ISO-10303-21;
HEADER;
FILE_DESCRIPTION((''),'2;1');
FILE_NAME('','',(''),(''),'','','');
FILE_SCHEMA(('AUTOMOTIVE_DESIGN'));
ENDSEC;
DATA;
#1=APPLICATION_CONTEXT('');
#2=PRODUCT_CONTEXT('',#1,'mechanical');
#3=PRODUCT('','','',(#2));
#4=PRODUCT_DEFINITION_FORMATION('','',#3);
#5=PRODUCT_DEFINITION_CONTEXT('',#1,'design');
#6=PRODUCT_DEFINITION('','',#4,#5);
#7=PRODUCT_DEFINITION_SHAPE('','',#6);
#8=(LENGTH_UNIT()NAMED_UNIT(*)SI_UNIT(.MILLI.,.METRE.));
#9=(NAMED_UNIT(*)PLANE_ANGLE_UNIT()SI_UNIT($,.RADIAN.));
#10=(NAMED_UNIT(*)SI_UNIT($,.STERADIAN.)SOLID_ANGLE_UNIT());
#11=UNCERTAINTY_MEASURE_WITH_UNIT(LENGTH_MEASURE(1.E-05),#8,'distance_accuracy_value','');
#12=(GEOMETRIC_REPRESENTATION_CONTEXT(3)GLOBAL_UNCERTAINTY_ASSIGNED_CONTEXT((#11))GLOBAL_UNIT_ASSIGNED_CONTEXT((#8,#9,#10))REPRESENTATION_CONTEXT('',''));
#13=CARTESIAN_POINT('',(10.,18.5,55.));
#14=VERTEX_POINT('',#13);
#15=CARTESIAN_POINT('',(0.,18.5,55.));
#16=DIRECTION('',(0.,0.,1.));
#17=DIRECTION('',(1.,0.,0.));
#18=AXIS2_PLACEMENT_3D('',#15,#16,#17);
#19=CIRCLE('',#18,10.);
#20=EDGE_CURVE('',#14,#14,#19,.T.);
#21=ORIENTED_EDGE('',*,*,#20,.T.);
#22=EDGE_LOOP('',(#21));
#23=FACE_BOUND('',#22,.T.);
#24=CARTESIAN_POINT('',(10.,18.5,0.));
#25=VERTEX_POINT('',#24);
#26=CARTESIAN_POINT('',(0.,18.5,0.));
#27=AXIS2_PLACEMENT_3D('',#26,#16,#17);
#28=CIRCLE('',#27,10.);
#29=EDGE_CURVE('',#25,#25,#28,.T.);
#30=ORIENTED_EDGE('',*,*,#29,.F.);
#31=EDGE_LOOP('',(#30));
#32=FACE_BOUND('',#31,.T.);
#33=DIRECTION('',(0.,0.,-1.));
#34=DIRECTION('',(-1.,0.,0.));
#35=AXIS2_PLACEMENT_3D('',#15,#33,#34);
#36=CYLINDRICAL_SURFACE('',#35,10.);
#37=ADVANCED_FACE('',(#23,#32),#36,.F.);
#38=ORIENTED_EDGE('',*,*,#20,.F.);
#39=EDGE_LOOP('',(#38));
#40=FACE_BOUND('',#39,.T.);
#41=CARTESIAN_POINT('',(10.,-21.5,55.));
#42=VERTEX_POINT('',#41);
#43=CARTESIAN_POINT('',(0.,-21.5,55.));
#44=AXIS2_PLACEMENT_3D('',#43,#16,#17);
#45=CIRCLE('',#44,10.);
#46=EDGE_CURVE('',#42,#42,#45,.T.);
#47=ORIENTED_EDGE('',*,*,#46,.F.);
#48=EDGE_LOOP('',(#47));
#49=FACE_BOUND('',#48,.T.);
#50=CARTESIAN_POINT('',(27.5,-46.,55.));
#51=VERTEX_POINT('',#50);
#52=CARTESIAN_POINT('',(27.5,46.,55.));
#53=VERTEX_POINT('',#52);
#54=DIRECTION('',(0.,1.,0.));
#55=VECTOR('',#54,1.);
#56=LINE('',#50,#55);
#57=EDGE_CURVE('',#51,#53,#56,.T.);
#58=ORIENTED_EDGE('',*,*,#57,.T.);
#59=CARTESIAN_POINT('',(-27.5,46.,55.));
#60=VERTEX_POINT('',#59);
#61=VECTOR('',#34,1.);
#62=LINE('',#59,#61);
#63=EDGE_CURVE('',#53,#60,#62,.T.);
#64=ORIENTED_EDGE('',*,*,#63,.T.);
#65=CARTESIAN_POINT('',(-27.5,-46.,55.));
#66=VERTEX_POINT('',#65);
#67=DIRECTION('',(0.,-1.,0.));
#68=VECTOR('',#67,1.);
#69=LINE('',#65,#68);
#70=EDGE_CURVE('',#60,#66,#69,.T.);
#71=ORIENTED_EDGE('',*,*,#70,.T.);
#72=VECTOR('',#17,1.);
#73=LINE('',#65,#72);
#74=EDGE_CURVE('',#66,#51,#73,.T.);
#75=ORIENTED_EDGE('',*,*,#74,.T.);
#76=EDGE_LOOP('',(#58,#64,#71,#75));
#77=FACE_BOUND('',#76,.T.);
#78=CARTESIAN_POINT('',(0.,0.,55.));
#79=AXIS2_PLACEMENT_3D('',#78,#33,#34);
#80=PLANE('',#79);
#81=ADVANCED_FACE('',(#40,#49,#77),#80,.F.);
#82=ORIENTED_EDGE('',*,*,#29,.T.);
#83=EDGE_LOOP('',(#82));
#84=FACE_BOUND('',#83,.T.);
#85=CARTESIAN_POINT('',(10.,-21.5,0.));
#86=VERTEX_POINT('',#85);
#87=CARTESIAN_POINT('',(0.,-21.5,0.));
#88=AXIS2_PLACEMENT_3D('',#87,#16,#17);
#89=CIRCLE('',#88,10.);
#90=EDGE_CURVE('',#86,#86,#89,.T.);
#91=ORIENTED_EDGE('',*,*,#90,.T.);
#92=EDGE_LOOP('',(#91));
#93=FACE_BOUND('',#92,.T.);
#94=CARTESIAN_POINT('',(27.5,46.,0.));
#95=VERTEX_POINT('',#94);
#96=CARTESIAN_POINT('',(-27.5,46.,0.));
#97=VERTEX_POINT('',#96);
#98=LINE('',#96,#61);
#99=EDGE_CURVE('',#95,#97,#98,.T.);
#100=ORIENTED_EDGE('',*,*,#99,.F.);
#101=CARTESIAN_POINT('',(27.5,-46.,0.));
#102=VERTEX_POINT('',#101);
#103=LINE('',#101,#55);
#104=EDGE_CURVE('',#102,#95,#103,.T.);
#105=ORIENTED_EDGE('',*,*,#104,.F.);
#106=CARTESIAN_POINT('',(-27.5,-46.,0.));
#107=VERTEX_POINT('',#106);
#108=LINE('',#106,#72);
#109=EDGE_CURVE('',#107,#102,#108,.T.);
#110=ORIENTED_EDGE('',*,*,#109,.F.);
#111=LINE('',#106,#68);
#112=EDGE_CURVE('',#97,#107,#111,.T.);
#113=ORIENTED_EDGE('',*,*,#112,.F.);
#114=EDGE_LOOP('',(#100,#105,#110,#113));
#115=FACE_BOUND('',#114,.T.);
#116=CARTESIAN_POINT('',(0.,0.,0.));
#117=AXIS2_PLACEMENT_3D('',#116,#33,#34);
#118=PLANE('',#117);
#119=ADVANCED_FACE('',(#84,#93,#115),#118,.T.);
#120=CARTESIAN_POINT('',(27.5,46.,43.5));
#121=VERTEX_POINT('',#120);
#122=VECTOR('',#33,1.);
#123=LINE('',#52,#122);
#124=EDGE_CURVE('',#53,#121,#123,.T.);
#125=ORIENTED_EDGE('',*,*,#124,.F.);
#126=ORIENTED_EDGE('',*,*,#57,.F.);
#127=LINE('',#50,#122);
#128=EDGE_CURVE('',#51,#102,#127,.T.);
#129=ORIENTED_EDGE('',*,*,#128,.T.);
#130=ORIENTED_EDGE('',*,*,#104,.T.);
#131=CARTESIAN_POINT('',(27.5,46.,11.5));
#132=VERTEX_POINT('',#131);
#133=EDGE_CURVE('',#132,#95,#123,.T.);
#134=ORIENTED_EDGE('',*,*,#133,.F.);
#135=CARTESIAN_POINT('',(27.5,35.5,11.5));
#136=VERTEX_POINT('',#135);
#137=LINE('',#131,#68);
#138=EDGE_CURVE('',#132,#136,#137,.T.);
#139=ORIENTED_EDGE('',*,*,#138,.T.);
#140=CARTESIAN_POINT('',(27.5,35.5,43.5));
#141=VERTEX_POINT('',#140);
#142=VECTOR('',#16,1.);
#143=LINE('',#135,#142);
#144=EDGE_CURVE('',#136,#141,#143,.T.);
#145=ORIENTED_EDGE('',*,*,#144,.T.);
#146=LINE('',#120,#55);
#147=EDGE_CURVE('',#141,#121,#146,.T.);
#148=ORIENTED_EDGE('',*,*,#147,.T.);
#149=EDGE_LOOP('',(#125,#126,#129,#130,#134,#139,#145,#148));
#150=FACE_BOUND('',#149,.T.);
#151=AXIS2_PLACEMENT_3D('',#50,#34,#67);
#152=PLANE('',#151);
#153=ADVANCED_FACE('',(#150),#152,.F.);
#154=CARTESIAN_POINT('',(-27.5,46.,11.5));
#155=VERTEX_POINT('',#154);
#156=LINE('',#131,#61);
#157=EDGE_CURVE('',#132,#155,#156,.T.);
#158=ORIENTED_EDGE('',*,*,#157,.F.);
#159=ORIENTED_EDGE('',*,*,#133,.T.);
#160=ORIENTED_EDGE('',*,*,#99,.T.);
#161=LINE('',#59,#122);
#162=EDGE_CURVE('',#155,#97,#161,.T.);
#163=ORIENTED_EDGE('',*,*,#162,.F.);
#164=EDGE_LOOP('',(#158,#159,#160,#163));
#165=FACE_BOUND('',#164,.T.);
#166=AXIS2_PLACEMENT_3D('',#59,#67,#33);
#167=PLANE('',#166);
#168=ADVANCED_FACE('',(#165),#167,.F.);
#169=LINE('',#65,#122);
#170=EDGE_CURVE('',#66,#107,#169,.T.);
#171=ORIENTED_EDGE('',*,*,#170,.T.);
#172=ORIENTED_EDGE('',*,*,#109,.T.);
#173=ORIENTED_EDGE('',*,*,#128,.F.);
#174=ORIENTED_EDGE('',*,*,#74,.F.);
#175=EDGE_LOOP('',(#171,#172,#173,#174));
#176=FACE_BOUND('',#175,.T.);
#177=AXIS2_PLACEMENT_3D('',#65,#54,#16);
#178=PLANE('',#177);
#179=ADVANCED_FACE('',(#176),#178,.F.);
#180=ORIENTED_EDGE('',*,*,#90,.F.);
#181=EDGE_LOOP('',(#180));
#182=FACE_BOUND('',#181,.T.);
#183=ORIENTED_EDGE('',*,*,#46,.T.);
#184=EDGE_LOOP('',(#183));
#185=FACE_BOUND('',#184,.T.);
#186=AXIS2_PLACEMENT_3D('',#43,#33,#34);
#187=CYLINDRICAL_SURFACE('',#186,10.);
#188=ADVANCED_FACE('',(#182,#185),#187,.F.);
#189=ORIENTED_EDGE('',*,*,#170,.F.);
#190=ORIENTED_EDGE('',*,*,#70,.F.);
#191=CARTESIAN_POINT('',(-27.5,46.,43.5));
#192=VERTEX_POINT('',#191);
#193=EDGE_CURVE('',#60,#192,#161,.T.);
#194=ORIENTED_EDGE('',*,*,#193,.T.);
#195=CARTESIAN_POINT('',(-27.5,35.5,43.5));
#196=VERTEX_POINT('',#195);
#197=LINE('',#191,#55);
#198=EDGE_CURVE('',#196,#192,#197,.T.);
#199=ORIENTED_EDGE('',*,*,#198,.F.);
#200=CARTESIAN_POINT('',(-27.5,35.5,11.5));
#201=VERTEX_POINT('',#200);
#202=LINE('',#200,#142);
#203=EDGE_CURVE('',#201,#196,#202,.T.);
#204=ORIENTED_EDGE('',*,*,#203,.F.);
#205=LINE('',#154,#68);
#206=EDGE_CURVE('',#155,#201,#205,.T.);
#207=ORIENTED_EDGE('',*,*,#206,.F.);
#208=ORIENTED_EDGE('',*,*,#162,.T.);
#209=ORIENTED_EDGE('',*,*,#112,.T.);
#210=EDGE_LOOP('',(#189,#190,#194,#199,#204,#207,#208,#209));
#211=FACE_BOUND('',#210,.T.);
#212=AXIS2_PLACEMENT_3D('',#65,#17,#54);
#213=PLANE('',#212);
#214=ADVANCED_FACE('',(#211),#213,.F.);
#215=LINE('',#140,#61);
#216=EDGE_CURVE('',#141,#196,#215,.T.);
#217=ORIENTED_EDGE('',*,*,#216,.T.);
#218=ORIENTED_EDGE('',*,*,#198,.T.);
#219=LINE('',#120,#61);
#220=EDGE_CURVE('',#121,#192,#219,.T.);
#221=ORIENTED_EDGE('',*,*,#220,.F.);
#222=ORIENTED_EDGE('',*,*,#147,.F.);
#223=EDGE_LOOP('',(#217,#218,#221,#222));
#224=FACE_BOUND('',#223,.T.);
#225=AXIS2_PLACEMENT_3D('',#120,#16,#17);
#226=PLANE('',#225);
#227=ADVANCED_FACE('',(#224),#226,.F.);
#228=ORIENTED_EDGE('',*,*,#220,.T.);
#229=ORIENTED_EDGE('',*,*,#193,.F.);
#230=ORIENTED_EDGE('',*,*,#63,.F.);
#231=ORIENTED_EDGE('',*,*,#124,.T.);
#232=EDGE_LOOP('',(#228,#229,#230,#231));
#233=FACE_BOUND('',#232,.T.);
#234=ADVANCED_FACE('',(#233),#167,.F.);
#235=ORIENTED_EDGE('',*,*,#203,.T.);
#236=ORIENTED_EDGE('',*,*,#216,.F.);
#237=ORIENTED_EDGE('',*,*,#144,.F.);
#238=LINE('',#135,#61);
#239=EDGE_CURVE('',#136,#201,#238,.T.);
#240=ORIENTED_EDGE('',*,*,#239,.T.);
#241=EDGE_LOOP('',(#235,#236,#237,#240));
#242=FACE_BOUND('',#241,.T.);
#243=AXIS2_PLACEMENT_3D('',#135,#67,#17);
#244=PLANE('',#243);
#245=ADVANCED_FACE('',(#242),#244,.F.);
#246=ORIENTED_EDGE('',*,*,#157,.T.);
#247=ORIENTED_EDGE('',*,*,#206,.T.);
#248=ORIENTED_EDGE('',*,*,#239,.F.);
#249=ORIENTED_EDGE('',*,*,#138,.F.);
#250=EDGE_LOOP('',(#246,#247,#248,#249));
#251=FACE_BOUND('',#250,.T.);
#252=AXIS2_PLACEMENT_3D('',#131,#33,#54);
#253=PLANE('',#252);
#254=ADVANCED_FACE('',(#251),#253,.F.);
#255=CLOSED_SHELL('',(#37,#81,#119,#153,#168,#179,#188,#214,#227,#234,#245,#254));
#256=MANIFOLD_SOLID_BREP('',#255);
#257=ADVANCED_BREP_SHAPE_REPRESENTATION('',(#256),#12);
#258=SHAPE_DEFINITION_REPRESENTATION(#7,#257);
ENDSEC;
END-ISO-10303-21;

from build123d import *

# Parameters (mm, degrees)
CROQUIS1_W              = 55
CROQUIS1_H              = 92
SALIENTE_EXTRUIR1_DEPTH = 55
CROQUIS2_R              = 10
CORTAR_EXTRUIR1_DEPTH   = 56
CROQUIS3_W              = 32
CROQUIS3_H              = 10.5
CORTAR_EXTRUIR2_DEPTH   = 55


with BuildPart() as part:
    # Croquis1 → Saliente-Extruir1 (new body)
    with BuildSketch(Plane.XY):
        Rectangle(CROQUIS1_W, CROQUIS1_H)
    extrude(amount=SALIENTE_EXTRUIR1_DEPTH)

    # Croquis2 → Cortar-Extruir1 (cut, through all)
    with BuildSketch(Plane.XY):
        with Locations((0, 18.5)):
            Circle(CROQUIS2_R)
        with Locations((0, -21.5)):
            Circle(CROQUIS2_R)
    extrude(amount=CORTAR_EXTRUIR1_DEPTH, mode=Mode.SUBTRACT)

    # Croquis3 → Cortar-Extruir2 (cut)
    with BuildSketch(Plane.ZY.offset(27.5)):
        with Locations((27.5, 40.75)):
            Rectangle(CROQUIS3_W, CROQUIS3_H)
    extrude(amount=-CORTAR_EXTRUIR2_DEPTH, mode=Mode.SUBTRACT)


solid = part.part
